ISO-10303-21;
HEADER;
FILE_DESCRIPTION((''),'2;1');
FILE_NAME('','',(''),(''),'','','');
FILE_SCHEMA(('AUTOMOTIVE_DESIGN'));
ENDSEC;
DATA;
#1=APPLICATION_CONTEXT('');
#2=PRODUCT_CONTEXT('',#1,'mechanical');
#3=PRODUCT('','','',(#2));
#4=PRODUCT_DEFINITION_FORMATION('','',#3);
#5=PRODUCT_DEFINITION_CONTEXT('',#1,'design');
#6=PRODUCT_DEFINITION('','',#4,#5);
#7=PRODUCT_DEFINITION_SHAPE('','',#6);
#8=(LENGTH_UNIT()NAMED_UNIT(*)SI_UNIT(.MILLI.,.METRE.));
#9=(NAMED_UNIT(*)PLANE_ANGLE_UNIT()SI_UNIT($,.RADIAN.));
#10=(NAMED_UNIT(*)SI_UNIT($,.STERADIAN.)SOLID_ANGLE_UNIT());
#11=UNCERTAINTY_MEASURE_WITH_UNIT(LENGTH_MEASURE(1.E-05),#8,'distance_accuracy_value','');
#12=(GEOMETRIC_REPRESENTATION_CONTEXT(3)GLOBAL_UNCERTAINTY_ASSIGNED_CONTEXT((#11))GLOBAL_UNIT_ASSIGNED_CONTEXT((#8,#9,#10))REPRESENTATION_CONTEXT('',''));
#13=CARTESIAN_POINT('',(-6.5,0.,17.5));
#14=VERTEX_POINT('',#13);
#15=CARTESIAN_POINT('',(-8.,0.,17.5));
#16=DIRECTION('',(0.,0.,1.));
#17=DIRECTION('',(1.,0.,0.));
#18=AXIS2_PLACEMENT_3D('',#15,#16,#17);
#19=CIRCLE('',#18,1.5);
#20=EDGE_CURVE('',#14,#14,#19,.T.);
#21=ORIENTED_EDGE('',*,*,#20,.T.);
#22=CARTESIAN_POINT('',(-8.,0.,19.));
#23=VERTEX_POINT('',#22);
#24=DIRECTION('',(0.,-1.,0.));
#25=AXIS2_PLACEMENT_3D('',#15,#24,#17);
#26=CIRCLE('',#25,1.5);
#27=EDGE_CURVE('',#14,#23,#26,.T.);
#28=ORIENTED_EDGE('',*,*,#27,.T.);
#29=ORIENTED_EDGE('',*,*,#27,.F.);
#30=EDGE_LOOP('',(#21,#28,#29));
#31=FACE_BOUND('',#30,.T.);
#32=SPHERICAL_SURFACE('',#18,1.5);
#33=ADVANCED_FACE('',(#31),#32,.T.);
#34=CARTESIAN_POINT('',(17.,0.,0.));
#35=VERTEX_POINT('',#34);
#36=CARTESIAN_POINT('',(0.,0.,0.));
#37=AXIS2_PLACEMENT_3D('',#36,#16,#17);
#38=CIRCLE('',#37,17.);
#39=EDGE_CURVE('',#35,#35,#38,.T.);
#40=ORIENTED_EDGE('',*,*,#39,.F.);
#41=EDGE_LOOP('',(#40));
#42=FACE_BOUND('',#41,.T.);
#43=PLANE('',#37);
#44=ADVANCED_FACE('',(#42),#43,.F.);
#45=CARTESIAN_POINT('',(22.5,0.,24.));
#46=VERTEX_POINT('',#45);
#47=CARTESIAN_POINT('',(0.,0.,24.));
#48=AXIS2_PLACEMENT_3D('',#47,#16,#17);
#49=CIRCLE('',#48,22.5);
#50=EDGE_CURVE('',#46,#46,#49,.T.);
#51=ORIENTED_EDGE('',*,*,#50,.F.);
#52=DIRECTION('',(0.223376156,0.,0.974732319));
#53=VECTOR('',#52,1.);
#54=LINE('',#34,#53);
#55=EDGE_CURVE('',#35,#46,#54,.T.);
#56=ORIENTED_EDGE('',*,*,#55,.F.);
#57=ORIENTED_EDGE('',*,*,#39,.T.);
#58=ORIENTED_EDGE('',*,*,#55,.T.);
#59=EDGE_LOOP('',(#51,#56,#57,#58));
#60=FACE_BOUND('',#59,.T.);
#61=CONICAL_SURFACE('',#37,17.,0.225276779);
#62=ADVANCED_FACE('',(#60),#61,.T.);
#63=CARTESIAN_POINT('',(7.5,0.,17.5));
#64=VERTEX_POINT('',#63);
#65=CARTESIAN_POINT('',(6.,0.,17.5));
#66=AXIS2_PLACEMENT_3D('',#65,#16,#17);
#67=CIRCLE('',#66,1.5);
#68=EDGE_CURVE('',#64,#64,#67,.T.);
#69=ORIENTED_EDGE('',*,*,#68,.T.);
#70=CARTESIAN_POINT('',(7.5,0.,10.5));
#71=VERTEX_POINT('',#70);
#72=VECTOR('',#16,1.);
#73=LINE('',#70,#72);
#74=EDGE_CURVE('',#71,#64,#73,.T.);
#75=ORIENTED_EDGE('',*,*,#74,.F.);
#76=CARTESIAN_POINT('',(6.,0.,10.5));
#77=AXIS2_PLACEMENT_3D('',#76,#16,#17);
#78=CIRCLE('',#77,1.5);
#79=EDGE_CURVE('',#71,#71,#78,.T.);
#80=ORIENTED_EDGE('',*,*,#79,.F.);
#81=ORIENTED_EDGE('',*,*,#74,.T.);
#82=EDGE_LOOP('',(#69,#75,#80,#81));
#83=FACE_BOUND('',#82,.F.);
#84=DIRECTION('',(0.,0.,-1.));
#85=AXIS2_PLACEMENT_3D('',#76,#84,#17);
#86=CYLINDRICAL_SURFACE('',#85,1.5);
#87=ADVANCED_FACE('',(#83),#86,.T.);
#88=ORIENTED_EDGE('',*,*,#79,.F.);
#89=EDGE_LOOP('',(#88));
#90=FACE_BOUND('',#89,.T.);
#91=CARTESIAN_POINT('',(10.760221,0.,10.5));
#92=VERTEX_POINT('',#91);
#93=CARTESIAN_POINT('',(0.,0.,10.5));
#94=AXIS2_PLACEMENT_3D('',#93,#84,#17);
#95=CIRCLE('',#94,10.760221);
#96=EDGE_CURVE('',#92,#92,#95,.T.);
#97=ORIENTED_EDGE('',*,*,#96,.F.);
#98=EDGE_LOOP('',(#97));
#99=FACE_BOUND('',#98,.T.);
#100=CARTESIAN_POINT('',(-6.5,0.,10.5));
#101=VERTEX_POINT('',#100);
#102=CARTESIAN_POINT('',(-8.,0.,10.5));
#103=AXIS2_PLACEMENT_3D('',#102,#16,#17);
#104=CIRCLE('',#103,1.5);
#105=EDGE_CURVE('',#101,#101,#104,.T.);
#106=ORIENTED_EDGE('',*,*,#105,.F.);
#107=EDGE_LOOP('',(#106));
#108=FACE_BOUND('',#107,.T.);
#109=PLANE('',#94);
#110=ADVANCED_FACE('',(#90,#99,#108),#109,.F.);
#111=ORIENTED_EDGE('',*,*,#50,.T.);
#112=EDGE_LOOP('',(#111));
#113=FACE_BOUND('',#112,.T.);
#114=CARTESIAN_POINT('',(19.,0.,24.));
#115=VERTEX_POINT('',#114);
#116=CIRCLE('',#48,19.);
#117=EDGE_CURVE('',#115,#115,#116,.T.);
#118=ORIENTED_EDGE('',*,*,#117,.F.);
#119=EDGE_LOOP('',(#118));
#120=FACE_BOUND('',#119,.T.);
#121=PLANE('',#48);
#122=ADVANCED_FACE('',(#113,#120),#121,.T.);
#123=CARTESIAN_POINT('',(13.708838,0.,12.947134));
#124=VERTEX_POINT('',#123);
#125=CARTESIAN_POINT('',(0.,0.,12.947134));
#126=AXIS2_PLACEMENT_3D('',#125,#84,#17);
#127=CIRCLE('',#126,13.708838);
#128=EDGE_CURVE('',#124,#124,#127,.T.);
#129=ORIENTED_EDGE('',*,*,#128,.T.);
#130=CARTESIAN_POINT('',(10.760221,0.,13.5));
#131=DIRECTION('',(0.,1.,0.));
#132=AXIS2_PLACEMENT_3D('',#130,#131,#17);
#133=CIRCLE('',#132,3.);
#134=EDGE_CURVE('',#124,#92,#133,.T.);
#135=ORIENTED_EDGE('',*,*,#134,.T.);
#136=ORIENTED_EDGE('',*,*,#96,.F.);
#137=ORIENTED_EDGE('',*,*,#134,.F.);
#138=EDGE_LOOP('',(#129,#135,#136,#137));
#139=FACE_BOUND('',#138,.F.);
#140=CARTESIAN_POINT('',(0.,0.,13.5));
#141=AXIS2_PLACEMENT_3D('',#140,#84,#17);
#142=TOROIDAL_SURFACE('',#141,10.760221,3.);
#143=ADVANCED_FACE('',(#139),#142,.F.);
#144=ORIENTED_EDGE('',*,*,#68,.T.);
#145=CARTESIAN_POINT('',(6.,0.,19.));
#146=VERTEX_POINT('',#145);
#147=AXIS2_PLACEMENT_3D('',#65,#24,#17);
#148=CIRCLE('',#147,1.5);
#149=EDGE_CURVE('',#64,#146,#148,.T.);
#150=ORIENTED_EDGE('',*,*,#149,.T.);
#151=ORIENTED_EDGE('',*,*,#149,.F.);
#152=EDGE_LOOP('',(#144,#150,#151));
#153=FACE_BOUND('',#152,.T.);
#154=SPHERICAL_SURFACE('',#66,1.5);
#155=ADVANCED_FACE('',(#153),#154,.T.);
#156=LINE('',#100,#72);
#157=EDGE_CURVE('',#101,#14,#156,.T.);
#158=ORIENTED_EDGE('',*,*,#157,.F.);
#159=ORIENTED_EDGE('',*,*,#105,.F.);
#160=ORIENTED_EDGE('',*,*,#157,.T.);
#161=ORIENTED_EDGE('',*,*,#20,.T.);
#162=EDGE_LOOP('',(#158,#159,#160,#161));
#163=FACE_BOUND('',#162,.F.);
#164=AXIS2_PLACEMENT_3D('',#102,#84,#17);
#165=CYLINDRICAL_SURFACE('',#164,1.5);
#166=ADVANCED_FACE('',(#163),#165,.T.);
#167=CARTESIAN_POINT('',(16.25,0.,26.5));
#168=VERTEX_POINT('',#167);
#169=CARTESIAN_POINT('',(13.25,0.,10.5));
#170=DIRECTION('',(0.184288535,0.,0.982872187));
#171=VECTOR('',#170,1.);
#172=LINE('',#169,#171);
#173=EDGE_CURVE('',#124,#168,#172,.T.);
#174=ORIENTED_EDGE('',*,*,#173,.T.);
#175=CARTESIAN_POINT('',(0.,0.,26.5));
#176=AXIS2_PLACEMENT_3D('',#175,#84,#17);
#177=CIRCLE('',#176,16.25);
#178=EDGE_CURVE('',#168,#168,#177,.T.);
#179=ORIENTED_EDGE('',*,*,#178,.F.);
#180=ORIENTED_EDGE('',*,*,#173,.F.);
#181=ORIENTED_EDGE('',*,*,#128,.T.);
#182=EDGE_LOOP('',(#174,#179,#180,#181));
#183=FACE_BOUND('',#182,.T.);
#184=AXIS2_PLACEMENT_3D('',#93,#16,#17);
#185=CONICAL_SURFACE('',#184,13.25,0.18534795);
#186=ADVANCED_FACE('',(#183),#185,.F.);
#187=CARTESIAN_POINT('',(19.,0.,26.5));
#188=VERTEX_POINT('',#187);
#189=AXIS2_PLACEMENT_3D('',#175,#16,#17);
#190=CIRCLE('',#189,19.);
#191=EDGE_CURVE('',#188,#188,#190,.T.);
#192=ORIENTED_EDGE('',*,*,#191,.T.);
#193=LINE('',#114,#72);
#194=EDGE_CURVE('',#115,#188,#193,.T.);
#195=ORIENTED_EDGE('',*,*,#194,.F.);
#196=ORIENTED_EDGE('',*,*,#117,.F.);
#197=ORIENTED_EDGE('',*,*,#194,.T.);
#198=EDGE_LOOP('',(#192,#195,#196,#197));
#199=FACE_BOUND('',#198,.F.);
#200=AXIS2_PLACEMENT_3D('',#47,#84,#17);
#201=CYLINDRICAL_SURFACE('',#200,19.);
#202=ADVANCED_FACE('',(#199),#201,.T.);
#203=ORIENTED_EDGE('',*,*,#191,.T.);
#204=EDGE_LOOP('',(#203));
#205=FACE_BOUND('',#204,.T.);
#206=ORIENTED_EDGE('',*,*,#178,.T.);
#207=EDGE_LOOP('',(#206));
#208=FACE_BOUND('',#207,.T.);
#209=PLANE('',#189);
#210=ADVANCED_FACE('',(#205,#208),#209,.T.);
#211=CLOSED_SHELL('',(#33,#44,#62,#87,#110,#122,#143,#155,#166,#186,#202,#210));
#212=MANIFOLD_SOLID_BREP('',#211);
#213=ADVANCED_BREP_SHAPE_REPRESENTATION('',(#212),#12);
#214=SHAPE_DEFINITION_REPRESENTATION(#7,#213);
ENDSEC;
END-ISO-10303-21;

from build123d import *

# Parameters (mm, degrees)
F2_R     = 19
F3_DEPTH = 2.5
F6_R     = 3
F7_R     = 1.5
F8_DEPTH = 8.5
F9_R     = 1.5


with BuildPart() as f1:
    # F0 (on Front) → F1 (revolve)
    with BuildSketch(Plane.XZ):
        Polygon((0, 24), (0, 0), (17, 0), (22.5, 24), align=None)
    revolve(axis=Axis((0, 0, 12), (0, 0, 1)))

    # F2 (on face) → F3 (join)
    with BuildSketch(Plane.XY.offset(24)):
        Circle(F2_R)
    extrude(amount=F3_DEPTH)

    # F4 (on Front) → F5 (revolve, cut)
    with BuildSketch(Plane.XZ):
        Polygon((16.25, 26.5), (0, 26.5), (0, 10.5), (13.25, 10.5), align=None)
    revolve(axis=Axis((0, 0, 18.5), (0, 0, -1)), mode=Mode.SUBTRACT)

    # F6
    f6_edges = [f1.edges().sort_by_distance(p)[0] for p in [
        (-13.25, 0, 10.5),
    ]]
    fillet(f6_edges, radius=F6_R)

    # F7 (on face) → F8 (join)
    with BuildSketch(Plane.XY.offset(10.5)):
        with Locations((-8, 0)):
            Circle(F7_R)
        with Locations((6, 0)):
            Circle(F7_R)
    extrude(amount=F8_DEPTH)

    # F9
    f9_edges = [f1.edges().sort_by_distance(p)[0] for p in [
        (-9.5, 0, 19),
        (4.5, 0, 19),
    ]]
    fillet(f9_edges, radius=F9_R)


solid = f1.part
